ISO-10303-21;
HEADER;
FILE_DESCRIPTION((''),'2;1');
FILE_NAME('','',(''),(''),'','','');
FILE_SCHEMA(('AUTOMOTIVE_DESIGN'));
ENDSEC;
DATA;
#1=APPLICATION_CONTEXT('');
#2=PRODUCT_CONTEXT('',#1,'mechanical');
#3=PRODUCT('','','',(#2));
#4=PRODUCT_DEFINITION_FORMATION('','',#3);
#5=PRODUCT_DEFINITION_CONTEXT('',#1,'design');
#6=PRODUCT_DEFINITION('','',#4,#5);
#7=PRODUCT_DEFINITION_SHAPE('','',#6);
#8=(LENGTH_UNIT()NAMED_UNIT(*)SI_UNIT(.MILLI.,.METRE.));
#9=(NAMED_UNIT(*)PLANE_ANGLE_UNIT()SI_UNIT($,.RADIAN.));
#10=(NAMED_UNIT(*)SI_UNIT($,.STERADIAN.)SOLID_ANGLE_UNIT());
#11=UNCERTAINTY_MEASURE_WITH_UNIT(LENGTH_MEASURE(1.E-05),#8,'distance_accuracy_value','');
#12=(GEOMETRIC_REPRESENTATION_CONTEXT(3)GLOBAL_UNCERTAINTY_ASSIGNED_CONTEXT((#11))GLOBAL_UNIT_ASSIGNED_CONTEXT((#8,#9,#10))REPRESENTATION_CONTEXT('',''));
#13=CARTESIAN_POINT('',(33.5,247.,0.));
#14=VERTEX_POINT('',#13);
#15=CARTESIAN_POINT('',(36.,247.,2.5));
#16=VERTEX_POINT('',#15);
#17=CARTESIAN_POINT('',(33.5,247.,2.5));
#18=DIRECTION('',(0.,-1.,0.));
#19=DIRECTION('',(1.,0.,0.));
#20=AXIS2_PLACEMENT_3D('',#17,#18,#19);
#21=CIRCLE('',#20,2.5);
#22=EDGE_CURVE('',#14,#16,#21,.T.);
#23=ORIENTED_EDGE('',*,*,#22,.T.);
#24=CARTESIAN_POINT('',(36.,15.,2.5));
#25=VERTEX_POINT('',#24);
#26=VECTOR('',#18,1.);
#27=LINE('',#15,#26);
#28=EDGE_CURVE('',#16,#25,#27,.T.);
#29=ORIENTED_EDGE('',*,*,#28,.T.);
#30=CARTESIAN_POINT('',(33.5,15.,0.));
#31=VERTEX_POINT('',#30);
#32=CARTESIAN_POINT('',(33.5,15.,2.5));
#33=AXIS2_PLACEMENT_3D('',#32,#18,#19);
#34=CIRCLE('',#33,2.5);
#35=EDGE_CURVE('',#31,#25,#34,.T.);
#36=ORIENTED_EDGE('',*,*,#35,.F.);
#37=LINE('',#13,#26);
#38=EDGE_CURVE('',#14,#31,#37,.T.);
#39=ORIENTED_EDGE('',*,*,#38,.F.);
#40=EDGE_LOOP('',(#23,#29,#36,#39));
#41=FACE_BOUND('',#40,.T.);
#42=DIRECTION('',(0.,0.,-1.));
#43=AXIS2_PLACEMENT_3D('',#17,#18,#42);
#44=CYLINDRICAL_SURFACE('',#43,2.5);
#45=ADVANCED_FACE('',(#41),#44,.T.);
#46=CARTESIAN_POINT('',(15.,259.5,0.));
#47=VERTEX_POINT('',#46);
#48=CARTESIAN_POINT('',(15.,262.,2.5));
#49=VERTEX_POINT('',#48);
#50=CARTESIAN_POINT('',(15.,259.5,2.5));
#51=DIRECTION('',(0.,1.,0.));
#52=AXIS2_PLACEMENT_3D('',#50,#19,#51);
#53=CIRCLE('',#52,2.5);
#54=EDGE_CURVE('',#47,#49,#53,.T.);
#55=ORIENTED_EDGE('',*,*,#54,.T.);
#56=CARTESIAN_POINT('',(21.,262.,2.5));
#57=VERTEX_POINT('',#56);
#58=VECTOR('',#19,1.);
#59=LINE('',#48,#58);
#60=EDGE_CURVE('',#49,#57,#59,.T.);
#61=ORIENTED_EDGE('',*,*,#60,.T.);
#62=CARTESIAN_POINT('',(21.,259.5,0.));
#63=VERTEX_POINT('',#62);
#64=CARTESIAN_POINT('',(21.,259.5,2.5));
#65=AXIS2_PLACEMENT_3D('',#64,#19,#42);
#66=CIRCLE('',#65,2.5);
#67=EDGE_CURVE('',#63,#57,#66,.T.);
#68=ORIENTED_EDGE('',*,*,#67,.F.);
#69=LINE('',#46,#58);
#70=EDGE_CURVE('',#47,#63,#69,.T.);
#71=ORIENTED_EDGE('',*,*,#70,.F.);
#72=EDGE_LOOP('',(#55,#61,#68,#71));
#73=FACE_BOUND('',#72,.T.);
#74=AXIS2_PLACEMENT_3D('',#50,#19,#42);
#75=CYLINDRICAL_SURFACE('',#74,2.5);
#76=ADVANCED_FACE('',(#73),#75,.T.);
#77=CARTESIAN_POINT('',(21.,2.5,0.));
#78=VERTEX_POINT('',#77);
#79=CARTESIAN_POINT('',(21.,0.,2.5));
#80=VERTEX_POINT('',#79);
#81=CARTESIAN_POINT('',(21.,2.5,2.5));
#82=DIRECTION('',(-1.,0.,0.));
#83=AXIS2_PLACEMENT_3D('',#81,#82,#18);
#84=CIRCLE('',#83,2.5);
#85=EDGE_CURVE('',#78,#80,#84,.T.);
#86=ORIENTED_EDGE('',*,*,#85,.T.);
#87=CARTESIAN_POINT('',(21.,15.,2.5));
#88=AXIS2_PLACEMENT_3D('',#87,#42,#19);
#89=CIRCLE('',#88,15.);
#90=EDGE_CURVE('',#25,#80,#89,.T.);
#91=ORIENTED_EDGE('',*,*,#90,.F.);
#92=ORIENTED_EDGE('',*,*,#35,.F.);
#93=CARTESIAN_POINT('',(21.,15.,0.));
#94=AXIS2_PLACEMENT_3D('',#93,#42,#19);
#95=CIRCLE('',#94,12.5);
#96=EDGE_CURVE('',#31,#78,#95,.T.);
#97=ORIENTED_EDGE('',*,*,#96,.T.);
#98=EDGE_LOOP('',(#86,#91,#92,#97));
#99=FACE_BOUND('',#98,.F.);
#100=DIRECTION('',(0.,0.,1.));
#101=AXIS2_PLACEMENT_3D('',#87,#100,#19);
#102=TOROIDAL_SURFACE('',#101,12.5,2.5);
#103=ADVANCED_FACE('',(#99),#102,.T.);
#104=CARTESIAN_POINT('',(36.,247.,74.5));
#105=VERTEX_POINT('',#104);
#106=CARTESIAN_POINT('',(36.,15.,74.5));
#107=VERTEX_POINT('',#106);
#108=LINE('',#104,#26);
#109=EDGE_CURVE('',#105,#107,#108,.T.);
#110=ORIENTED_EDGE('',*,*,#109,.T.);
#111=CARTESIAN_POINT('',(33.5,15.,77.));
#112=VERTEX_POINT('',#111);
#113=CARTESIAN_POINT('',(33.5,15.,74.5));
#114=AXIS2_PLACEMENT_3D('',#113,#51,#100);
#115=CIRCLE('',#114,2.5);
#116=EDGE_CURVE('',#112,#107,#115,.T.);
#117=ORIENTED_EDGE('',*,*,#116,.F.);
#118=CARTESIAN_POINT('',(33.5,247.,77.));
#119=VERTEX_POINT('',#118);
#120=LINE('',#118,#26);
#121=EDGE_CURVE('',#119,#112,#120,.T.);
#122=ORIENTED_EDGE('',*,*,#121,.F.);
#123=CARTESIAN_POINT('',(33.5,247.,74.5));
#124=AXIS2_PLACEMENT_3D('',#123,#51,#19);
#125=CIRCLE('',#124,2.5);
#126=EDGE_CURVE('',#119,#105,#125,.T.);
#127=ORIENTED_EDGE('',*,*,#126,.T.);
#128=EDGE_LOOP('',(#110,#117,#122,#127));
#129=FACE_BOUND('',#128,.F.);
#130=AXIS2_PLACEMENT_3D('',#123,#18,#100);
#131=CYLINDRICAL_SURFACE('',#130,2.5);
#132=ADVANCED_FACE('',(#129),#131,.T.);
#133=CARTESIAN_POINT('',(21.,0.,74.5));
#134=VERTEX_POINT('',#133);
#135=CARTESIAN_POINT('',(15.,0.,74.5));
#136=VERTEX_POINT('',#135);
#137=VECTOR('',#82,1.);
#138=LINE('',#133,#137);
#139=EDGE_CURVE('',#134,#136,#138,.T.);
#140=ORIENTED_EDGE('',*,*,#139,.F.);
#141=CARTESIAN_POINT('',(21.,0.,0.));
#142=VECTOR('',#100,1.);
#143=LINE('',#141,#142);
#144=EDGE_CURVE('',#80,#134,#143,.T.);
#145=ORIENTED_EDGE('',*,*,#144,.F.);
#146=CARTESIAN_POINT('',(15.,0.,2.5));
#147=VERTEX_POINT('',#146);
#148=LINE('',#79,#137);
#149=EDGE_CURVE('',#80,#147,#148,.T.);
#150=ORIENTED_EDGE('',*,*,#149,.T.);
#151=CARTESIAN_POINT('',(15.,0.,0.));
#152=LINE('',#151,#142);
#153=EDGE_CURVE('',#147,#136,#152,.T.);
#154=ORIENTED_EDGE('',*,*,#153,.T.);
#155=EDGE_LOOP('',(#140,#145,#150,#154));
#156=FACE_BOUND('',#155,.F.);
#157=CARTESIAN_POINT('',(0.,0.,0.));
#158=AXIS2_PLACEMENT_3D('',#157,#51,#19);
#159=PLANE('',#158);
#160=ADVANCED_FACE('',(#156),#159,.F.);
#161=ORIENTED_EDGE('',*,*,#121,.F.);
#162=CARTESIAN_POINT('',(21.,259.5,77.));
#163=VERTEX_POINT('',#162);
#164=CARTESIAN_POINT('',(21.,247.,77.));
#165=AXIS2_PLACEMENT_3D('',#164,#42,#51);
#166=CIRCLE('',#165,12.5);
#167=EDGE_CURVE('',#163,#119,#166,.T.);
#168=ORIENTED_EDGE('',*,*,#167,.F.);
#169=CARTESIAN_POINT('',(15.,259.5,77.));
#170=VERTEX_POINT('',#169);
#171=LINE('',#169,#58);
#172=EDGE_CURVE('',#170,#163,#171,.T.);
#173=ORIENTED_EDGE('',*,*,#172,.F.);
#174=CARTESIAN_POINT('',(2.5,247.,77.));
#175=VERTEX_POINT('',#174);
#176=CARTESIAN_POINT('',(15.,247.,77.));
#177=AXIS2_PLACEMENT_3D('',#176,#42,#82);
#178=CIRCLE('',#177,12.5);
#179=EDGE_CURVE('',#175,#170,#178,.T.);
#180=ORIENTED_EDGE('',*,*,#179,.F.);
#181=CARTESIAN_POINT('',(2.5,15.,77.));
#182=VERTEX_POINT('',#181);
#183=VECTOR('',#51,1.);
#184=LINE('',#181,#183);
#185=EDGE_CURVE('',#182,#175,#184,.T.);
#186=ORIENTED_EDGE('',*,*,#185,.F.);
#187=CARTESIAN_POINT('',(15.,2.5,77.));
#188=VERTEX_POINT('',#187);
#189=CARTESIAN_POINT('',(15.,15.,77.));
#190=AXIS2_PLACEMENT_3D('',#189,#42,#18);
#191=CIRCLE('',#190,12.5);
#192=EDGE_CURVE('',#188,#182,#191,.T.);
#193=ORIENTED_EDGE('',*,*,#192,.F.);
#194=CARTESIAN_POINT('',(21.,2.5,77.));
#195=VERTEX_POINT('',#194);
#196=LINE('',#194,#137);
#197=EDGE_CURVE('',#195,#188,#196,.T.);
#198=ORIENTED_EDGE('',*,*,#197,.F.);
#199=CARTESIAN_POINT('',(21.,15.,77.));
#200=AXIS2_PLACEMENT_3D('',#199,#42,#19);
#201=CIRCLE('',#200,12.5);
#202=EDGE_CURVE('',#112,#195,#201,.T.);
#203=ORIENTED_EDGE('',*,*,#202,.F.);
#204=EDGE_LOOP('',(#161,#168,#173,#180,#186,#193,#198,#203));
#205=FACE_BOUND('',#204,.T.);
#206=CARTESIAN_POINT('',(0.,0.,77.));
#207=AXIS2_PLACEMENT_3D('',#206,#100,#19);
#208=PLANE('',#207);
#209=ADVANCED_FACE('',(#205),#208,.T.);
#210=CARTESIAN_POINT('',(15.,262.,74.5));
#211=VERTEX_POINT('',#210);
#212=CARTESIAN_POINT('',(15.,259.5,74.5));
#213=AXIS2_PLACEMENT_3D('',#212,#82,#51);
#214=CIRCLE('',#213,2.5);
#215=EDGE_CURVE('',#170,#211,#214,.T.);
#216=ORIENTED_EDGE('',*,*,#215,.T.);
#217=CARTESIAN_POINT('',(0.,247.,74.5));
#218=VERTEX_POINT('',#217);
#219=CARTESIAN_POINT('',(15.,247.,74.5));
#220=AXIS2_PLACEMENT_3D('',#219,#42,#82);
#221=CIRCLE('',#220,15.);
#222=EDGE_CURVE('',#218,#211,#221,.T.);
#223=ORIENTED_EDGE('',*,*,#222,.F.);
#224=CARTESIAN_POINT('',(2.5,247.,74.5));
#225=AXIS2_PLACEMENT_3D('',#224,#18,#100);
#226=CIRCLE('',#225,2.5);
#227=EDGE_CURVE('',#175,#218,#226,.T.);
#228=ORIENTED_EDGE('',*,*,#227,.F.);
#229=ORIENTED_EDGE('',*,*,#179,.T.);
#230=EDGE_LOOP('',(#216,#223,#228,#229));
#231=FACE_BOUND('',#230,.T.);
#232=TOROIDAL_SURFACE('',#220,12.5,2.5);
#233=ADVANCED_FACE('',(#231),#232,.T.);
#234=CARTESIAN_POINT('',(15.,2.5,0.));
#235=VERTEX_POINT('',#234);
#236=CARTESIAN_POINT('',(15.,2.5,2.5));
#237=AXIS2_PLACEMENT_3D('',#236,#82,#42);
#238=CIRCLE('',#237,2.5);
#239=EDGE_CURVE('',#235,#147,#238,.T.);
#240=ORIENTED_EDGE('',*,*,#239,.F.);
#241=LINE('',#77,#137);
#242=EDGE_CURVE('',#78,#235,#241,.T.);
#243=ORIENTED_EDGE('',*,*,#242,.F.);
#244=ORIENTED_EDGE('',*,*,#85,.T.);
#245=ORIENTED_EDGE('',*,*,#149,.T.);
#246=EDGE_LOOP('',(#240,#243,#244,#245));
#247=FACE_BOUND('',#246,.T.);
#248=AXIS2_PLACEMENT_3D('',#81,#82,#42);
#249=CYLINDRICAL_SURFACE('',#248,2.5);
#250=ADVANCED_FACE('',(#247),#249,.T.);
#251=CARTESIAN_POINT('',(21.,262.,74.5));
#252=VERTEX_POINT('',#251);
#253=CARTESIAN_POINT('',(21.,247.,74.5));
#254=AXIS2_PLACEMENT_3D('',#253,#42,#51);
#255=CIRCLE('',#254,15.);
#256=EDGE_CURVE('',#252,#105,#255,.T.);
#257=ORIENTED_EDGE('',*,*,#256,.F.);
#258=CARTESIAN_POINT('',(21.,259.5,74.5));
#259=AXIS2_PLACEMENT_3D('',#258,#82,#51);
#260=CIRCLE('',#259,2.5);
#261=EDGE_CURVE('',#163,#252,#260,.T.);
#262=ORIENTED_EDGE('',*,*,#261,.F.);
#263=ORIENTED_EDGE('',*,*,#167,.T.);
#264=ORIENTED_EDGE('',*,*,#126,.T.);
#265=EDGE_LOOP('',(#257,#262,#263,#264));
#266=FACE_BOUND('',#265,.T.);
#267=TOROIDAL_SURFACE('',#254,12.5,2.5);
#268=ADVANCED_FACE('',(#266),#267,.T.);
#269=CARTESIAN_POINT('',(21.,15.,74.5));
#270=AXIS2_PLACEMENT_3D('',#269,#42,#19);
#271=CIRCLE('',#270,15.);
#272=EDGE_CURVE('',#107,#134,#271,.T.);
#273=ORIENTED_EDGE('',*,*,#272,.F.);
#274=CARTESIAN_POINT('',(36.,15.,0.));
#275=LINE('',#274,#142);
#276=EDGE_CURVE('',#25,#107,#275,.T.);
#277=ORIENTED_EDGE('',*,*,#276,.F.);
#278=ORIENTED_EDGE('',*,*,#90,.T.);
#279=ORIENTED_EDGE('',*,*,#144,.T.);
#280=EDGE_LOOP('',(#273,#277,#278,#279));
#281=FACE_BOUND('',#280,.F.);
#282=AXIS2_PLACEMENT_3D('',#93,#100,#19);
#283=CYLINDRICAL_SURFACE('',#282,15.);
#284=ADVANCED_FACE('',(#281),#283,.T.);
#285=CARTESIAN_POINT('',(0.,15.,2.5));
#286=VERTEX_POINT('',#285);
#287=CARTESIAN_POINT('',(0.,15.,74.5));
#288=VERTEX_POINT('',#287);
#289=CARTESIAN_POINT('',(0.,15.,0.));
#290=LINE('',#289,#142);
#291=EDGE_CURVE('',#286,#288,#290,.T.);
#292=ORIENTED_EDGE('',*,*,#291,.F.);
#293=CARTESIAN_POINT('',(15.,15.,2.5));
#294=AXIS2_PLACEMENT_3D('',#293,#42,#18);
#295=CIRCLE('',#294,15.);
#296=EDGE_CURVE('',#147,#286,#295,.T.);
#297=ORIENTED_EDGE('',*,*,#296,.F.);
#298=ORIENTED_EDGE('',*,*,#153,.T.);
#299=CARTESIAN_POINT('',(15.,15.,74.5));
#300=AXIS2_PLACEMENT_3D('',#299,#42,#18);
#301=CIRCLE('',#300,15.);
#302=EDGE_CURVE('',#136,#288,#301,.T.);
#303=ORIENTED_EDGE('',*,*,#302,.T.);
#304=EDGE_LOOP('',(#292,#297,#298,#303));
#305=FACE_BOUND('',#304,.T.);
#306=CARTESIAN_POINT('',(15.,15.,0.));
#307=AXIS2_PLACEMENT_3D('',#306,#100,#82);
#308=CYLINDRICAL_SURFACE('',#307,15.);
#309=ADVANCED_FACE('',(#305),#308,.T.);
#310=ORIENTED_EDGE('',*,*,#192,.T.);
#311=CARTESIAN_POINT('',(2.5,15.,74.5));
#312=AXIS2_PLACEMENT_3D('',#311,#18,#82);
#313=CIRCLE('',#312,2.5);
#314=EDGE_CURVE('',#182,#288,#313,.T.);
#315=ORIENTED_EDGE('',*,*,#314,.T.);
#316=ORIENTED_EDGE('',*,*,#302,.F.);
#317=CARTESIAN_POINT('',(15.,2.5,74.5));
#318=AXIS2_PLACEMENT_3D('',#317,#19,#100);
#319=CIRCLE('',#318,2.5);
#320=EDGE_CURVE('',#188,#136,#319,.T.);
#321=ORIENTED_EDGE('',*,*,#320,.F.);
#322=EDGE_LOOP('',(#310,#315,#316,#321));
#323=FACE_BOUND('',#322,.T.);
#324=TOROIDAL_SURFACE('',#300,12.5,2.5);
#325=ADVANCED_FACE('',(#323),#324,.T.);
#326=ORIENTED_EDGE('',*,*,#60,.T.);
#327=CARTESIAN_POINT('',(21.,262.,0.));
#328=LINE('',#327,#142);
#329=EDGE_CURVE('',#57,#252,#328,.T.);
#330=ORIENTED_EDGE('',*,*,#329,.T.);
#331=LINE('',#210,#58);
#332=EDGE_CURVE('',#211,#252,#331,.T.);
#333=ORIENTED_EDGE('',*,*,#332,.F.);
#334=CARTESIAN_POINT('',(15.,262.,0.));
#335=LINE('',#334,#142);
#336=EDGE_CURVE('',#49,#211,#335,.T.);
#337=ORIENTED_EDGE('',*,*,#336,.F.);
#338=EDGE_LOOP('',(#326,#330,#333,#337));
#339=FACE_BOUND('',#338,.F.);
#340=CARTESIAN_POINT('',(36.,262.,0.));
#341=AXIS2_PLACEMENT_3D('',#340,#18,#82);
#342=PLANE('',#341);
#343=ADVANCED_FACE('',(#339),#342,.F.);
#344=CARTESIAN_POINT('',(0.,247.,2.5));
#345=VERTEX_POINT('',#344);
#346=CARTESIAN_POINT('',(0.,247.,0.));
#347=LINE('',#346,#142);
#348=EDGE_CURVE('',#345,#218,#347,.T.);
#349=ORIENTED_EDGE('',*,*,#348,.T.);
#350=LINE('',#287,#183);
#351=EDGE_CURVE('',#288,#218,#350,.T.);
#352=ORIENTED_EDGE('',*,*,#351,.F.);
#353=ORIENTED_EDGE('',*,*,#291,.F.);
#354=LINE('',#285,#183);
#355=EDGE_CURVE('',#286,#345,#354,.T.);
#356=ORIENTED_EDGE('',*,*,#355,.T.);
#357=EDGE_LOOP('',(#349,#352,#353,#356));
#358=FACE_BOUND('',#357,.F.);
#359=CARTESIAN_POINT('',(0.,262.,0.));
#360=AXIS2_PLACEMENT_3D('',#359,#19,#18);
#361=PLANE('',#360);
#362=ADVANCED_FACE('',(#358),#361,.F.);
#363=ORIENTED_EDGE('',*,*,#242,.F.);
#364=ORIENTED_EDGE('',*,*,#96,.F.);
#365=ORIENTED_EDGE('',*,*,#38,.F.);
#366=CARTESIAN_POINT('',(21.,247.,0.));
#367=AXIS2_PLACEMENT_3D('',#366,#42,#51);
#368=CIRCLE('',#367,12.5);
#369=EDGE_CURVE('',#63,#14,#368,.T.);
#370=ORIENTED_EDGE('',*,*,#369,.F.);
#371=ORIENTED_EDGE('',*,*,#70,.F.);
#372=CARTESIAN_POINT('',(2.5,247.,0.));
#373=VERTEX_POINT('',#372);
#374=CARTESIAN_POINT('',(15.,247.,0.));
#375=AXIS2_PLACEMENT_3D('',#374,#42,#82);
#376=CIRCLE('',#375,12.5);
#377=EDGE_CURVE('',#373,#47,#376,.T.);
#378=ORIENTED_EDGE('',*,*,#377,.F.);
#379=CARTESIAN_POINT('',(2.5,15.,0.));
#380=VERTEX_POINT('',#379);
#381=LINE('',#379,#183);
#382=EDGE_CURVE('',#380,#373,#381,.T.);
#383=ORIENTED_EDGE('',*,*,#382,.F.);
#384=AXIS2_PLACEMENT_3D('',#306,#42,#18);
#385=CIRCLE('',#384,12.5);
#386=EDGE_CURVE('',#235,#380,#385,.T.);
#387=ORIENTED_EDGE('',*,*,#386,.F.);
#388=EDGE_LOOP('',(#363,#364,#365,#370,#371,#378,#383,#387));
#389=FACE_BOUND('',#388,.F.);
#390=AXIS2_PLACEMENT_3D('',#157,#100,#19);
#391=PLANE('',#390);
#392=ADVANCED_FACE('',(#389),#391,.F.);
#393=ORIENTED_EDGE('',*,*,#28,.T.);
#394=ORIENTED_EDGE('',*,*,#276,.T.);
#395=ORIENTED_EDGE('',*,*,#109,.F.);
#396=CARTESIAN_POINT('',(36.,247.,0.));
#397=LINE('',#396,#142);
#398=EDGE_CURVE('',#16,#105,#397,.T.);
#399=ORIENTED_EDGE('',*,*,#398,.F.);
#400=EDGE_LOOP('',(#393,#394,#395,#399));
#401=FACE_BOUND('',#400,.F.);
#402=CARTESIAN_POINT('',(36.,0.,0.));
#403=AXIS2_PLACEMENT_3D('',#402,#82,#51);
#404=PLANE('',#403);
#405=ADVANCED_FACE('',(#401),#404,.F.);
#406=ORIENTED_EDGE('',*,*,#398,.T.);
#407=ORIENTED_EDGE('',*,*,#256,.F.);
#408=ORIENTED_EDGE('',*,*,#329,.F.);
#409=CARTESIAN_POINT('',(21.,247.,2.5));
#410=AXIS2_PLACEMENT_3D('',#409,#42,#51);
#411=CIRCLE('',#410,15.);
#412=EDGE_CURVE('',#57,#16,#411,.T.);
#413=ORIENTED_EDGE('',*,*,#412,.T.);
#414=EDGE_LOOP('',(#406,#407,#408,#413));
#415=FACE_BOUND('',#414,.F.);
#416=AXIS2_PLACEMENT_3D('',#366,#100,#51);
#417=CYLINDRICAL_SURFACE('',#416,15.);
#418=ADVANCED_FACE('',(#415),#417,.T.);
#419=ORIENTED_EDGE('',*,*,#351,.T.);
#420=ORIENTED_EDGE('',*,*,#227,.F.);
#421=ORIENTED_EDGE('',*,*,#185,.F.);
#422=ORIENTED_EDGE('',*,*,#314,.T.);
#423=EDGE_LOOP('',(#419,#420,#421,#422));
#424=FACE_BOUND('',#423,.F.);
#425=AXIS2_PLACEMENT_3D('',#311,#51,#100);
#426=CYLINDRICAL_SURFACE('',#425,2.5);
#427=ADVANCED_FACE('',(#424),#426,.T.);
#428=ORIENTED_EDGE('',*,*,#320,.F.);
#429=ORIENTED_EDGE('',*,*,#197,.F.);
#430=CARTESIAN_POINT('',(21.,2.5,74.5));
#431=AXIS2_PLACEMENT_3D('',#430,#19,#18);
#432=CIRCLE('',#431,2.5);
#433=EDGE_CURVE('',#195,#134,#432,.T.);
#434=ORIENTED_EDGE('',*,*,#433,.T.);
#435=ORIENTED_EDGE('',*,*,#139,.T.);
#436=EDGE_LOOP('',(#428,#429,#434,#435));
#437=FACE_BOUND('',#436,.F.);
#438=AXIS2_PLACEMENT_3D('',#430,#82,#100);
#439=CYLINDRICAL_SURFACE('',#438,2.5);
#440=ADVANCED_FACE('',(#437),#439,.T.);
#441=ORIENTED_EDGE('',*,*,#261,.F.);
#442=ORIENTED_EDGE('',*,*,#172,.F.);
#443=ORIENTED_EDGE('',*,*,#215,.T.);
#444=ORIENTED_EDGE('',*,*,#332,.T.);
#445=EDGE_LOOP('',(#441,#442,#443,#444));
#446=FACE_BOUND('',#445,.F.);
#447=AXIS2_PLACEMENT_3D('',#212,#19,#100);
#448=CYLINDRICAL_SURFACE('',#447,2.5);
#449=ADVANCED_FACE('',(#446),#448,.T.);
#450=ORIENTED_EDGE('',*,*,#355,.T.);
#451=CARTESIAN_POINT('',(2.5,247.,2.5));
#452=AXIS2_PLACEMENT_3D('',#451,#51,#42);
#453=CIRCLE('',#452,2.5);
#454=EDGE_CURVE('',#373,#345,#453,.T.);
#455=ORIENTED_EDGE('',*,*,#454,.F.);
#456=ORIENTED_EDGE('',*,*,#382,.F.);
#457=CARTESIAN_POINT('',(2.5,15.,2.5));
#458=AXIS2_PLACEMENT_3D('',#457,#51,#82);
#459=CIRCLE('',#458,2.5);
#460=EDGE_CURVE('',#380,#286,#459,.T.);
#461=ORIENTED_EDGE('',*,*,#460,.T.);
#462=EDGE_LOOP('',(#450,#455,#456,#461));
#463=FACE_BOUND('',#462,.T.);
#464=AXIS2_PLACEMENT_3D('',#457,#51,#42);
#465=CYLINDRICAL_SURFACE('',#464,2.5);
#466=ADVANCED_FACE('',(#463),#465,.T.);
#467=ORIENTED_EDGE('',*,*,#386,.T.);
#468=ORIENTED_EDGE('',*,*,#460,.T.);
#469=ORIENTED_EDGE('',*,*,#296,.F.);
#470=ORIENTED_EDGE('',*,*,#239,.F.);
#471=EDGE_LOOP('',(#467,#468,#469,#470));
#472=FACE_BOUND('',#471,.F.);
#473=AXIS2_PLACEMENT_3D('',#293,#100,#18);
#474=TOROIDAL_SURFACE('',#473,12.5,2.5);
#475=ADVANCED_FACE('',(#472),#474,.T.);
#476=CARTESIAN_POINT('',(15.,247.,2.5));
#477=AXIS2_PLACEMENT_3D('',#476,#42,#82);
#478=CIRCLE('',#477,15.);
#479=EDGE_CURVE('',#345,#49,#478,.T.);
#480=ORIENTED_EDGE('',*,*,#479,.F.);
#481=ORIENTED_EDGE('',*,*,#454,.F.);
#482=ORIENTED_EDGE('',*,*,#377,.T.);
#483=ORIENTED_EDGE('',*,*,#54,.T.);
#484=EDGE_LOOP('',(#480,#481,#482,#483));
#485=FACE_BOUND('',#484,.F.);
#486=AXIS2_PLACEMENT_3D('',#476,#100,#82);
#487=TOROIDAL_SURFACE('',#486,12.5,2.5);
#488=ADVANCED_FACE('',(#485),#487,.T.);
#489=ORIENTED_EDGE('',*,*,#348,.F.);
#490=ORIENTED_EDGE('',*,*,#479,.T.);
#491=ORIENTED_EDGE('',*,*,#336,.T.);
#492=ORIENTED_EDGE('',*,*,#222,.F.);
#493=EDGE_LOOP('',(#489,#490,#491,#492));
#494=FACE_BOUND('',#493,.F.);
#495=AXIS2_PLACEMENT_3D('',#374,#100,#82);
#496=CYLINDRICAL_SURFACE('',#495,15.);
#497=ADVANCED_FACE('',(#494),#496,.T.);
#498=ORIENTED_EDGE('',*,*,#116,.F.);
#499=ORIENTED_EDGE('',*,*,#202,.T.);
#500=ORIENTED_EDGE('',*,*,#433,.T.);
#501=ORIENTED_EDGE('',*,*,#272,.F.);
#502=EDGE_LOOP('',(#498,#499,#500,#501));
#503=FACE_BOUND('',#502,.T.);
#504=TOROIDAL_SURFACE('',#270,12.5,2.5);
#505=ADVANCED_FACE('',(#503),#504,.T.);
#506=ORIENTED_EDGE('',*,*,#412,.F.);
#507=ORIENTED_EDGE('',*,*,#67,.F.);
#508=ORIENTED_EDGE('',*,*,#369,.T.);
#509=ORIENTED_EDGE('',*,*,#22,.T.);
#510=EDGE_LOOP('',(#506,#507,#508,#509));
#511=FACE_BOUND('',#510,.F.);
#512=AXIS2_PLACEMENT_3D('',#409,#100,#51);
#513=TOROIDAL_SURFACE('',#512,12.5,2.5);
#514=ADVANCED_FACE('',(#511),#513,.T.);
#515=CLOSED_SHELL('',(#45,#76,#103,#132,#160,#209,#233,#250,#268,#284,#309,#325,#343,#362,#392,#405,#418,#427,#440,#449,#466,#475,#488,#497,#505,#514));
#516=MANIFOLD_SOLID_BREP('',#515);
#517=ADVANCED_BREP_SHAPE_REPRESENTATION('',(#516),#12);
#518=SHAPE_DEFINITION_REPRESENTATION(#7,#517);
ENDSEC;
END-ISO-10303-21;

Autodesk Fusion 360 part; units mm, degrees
sketch "Sketch1" plane through (0, 0, 0) normal (0, 0, 1) x (1, 0, 0)
  line L0 (0, 0) -> (36, 0)
  line L1 (36, 0) -> (36, 262)
  line L2 (36, 262) -> (0, 262)
  line L3 (0, 262) -> (0, 0)
  dimension "d1" = 36
  dimension "d2" = 262
extrude "Extrude1" add sketch "Sketch1" along normal blind 77
fillet "Fillet1" radius 15 4 edges at (36, 0, 38.5) (0, 0, 38.5) (36, 262, 38.5) (0, 262, 38.5)
fillet "Fillet2" radius 2.5 16 edges at (31.6066, 257.6066, 77) (18, 262, 77) (4.3934, 257.6066, 77) (0, 131, 77) (4.3934, 4.3934, 77) (18, 0, 77) (31.6066, 4.3934, 77) (36, 131, 77) (31.6066, 4.3934, 0) (36, 131, 0) (31.6066, 257.6066, 0) (18, 262, 0) (4.3934, 257.6066, 0) (0, 131, 0) (4.3934, 4.3934, 0) (18, 0, 0)
